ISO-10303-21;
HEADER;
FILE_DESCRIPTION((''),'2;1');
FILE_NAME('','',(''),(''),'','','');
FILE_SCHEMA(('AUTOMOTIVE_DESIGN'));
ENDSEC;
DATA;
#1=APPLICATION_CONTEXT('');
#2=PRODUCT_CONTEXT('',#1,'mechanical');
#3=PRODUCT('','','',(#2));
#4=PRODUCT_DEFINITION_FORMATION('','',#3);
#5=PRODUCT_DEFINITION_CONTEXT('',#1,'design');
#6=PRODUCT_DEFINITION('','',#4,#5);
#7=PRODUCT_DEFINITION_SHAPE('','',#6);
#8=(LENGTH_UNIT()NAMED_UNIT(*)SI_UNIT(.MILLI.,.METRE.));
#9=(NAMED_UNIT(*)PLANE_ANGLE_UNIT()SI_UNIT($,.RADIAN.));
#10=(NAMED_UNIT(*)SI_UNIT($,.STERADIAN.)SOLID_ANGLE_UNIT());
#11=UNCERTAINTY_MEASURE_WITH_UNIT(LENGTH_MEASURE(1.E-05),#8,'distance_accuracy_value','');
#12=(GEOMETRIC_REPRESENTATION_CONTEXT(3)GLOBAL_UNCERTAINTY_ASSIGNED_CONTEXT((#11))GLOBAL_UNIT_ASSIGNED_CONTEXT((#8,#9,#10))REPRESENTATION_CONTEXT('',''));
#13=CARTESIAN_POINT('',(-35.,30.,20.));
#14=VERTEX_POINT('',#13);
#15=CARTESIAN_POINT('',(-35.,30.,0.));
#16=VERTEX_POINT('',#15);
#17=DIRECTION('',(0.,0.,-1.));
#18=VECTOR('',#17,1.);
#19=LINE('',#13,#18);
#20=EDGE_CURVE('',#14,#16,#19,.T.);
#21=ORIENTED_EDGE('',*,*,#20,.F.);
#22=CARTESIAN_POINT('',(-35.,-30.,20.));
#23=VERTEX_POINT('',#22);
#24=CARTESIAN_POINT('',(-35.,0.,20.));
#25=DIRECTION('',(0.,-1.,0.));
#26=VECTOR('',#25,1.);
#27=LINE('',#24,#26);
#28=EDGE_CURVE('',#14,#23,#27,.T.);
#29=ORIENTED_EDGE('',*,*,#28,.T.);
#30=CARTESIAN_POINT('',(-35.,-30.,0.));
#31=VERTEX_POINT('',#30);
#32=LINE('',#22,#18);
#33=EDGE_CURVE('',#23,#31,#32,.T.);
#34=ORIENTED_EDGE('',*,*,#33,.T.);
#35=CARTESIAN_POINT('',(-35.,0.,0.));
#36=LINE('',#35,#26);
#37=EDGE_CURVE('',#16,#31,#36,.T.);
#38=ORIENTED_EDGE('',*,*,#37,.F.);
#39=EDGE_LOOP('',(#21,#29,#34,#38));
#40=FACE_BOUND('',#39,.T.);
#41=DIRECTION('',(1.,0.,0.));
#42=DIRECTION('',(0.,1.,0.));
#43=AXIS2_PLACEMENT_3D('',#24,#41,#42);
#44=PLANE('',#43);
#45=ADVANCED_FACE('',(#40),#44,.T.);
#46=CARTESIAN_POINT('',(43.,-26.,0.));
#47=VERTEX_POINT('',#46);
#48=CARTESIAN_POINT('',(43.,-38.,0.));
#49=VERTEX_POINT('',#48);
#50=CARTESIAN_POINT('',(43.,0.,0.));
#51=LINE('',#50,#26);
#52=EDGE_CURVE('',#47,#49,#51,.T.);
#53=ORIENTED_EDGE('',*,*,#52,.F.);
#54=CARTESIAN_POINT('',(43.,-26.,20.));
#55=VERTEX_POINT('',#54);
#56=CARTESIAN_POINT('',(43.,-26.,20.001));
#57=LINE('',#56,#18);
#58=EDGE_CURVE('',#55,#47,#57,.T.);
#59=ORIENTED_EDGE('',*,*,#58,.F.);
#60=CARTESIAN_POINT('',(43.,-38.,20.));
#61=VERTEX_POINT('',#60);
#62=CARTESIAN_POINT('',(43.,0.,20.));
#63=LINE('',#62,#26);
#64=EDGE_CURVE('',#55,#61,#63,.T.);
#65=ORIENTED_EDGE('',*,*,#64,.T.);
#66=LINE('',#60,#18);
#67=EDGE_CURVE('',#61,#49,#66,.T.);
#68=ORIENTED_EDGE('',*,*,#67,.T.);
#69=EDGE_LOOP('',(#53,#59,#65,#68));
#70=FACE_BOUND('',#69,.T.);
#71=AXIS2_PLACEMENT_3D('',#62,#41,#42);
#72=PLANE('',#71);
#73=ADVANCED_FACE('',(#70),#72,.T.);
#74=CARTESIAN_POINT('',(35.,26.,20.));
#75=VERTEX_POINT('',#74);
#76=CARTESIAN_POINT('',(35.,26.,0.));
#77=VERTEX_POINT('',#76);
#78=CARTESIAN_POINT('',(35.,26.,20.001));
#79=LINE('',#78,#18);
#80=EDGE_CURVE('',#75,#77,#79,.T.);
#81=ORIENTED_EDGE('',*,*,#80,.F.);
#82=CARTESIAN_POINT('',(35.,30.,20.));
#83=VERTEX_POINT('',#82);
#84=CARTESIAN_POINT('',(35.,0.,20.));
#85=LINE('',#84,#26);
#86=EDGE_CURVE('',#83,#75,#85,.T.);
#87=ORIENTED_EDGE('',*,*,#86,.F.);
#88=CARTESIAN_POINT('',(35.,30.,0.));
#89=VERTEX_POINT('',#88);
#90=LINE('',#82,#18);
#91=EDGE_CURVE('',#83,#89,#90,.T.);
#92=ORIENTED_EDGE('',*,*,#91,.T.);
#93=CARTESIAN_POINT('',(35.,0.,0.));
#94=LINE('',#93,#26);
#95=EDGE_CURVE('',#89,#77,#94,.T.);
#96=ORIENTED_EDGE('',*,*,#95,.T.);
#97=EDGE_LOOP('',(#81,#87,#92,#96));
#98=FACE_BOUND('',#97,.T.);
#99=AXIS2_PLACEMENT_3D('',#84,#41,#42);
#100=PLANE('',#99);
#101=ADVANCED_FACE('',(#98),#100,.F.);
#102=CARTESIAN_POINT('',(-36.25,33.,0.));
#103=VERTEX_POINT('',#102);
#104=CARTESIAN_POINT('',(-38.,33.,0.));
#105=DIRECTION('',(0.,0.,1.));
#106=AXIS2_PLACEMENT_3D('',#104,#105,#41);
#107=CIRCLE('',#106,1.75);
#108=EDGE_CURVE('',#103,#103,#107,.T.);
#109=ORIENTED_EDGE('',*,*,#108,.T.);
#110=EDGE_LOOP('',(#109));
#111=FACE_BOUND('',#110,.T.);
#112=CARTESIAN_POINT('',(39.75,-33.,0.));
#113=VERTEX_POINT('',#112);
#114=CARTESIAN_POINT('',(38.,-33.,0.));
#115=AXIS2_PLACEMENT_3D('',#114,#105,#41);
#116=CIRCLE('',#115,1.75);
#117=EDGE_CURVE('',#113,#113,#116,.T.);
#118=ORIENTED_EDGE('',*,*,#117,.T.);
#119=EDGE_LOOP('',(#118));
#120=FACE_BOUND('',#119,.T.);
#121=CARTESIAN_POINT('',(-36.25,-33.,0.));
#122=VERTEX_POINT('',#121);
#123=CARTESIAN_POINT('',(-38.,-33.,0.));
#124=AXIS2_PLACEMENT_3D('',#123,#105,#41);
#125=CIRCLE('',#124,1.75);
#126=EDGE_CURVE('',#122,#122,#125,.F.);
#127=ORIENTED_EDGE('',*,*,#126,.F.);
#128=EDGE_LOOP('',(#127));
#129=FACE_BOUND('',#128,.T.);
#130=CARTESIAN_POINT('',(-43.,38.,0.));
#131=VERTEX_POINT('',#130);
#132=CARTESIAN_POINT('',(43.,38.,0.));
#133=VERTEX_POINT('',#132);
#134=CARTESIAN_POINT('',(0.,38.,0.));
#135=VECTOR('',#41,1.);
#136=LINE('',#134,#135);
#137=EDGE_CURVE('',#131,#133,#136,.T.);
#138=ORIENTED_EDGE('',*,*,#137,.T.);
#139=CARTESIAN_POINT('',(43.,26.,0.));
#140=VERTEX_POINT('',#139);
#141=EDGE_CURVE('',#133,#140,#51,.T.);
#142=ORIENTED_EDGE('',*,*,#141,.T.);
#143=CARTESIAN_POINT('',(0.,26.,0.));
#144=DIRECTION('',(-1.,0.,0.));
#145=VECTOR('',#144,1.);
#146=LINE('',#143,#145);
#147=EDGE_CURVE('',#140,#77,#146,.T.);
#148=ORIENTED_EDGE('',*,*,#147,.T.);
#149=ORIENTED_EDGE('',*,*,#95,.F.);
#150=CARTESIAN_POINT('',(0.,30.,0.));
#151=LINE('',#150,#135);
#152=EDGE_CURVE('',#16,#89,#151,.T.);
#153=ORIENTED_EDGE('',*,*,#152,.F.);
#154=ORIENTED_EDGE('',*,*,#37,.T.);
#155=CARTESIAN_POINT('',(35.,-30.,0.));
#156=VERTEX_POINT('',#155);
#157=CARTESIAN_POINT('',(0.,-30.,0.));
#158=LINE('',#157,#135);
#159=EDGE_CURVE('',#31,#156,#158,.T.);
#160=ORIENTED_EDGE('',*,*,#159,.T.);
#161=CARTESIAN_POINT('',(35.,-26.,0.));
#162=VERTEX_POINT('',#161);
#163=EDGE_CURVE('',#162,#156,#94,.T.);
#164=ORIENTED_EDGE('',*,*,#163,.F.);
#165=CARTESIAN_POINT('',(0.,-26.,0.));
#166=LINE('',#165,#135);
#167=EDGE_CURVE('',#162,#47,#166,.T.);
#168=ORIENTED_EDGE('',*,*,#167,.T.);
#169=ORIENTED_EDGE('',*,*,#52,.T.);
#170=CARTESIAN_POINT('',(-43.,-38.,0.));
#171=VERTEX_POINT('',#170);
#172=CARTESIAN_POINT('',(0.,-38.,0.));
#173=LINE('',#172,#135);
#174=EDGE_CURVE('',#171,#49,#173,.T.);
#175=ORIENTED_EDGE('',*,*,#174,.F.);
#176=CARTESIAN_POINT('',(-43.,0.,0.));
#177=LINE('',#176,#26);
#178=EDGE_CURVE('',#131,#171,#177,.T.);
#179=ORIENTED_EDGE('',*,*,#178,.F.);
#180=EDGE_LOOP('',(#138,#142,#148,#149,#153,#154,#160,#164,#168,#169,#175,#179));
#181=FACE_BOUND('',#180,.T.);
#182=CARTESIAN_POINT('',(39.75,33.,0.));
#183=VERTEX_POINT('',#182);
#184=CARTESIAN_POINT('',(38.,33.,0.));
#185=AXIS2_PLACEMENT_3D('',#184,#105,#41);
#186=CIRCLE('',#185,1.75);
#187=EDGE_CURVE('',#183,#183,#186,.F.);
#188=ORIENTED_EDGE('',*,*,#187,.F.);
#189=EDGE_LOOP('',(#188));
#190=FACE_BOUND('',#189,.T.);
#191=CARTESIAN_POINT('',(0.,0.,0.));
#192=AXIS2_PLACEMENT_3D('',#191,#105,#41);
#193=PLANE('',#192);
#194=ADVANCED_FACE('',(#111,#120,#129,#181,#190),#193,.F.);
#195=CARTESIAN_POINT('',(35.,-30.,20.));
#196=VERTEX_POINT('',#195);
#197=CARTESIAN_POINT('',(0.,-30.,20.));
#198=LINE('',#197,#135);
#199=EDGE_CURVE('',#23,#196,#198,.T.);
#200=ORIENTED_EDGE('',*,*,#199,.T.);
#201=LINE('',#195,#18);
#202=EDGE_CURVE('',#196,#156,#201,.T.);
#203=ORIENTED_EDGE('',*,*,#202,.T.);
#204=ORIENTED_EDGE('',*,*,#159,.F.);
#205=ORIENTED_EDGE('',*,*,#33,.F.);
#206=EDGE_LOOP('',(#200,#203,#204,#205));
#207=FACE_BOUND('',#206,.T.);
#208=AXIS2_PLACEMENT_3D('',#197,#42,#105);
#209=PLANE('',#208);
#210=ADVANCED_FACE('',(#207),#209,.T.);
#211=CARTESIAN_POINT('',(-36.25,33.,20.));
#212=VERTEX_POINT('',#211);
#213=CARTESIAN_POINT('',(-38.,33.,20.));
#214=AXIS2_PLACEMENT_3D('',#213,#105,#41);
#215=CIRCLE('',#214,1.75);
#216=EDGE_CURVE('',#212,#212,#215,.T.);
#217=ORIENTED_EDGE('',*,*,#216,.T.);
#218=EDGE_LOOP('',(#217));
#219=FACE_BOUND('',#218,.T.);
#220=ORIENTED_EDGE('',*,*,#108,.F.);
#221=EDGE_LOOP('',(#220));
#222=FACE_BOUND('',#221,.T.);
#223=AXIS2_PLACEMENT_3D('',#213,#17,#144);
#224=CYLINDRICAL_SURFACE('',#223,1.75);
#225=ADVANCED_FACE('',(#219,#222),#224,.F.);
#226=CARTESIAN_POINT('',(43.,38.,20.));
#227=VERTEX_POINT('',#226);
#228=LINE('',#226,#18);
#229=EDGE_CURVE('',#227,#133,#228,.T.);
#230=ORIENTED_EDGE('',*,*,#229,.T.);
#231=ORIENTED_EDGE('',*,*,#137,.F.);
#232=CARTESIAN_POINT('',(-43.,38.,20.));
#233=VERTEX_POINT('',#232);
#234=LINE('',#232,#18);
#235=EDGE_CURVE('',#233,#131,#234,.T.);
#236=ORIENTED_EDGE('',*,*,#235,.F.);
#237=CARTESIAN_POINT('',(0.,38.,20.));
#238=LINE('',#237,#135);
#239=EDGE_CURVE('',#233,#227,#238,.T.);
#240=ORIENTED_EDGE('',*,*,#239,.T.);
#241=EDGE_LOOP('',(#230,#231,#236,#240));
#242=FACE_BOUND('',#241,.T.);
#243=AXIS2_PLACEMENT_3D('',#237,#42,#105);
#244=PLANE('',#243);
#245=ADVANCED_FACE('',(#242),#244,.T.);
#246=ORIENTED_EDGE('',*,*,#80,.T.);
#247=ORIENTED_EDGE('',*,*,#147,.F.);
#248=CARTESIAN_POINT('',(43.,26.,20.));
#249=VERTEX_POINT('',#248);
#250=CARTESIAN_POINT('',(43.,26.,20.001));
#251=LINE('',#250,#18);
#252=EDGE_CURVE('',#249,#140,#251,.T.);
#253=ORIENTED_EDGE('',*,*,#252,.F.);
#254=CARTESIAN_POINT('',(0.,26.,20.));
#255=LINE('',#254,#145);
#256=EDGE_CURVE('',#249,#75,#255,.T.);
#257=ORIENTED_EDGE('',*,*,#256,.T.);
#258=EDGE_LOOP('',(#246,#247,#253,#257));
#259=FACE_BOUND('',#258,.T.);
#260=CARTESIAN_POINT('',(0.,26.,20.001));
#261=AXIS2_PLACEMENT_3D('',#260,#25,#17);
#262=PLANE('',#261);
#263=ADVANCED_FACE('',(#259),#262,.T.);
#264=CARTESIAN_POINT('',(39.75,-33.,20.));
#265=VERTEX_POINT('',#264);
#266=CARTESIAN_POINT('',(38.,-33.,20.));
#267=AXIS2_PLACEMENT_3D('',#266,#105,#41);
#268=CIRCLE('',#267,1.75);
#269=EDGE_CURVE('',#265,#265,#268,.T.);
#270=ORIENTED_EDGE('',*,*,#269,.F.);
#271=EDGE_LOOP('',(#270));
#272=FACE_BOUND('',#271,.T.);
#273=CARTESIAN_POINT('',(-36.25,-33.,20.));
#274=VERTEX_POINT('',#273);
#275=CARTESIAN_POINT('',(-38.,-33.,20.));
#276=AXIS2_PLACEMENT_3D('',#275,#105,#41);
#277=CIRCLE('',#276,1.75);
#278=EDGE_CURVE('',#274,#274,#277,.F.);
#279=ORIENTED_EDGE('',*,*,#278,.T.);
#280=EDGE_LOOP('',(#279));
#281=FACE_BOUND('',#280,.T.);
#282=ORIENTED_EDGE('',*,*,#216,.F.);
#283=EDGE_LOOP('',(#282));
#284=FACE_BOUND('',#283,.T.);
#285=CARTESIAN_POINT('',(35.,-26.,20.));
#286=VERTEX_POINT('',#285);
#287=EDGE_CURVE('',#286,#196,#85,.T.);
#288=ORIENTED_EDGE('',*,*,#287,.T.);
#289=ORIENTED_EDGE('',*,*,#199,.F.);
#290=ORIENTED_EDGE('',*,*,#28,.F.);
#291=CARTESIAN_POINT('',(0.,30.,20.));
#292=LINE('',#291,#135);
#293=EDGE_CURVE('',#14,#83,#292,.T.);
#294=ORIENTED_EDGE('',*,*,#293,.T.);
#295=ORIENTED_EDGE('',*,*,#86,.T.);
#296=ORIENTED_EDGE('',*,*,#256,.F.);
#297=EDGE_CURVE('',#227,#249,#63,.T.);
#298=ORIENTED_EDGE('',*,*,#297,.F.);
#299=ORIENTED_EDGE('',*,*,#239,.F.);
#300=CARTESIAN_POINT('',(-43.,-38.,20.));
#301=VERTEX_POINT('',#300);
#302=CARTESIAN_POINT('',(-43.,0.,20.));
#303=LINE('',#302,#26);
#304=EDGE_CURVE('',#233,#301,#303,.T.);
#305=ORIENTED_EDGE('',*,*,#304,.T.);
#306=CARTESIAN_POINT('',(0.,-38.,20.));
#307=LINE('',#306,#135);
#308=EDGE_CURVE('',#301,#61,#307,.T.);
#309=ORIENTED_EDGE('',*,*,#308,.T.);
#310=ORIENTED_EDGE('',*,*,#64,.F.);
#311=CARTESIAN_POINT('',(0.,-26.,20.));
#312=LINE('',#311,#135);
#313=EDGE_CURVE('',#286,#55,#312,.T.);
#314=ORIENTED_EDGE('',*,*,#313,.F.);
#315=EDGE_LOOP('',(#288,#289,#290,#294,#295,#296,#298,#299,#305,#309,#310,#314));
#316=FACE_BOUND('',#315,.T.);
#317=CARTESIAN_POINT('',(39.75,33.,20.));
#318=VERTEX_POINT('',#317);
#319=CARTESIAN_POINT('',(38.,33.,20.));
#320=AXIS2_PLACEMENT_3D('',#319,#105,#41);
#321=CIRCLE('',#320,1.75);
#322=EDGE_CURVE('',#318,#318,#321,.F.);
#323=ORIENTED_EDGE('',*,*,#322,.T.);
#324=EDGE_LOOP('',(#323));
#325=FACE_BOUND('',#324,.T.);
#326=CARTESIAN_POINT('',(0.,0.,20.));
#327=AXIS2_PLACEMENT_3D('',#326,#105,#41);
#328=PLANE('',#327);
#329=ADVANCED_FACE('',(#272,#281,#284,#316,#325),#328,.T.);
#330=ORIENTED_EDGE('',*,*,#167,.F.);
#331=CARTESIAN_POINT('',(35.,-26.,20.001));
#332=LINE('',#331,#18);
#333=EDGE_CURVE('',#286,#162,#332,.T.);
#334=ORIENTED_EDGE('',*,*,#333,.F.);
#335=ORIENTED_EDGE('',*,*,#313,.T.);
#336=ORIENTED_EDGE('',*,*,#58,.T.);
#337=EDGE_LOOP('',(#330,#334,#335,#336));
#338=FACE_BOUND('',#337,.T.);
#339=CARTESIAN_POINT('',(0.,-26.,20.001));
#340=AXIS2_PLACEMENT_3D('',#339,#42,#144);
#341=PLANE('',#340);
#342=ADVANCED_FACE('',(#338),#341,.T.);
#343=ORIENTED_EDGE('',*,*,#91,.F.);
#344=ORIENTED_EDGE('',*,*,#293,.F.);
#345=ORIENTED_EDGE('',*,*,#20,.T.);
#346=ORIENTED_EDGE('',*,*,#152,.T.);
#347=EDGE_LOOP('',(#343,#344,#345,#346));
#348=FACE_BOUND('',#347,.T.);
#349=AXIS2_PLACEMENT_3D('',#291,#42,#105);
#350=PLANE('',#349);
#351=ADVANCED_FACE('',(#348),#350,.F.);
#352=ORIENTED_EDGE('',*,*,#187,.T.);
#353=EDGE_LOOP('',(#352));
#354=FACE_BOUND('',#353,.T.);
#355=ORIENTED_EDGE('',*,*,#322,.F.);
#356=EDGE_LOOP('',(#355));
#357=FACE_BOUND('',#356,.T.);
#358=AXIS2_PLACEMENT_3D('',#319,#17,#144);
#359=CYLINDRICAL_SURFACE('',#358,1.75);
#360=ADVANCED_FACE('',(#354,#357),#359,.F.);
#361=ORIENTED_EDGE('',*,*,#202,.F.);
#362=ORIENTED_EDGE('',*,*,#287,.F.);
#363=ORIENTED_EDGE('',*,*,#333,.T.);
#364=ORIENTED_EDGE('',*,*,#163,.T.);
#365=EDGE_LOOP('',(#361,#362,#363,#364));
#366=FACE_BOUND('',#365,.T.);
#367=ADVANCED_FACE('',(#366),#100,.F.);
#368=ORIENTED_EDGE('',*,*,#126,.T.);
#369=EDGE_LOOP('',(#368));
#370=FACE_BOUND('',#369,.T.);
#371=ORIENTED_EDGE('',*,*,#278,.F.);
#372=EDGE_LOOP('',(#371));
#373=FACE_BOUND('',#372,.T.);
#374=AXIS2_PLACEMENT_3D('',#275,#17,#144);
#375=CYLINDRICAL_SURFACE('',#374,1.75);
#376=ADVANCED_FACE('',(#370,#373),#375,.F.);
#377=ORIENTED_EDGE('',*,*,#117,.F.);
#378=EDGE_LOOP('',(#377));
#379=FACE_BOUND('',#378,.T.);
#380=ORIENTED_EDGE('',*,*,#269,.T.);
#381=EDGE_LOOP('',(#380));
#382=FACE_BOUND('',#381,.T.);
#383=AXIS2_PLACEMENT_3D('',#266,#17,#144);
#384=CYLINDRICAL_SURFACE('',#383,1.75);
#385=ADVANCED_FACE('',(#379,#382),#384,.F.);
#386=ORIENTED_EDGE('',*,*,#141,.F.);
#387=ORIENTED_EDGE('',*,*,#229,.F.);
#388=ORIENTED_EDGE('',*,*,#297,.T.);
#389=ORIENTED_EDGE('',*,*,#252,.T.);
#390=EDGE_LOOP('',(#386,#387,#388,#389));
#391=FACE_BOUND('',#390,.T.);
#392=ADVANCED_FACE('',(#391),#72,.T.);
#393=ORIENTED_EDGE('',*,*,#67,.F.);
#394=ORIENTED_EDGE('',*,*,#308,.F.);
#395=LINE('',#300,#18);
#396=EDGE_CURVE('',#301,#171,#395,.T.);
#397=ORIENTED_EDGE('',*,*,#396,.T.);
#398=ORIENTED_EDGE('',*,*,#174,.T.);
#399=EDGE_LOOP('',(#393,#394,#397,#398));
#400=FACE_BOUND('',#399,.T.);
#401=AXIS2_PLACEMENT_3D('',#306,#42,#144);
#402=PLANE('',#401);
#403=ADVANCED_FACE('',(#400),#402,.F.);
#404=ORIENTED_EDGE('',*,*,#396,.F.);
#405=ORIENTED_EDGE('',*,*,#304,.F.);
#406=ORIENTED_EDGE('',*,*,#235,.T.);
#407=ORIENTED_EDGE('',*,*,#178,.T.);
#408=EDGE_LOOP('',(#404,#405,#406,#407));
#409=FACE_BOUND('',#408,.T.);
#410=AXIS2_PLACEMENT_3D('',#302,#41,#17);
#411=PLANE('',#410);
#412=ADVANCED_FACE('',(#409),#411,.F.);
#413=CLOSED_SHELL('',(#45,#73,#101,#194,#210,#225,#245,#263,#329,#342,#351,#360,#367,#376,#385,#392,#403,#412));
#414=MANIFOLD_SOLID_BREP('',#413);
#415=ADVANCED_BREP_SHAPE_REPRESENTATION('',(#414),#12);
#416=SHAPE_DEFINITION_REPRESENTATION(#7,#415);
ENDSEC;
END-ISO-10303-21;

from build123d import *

# Parameters (mm, degrees)
SKETCH_1_W          = 86
SKETCH_1_H          = 76
SKETCH_1_R          = 1.75
SKETCH_1_W_2        = 70
SKETCH_1_H_2        = 60
EXTRUDE_1_DEPTH     = 20
CUT_EXTRUDE_1_REACH = 62.77
SKETCH_2_W          = 8
SKETCH_2_H          = 52


with BuildPart() as part:
    # 草图1 → 凸台-拉伸1 (new body)
    with BuildSketch(Plane.XY):
        Rectangle(SKETCH_1_W, SKETCH_1_H)
        with Locations((-38, 33)):
            Circle(SKETCH_1_R, mode=Mode.SUBTRACT)
        with Locations((38, 33)):
            Circle(SKETCH_1_R, mode=Mode.SUBTRACT)
        with Locations((38, -33)):
            Circle(SKETCH_1_R, mode=Mode.SUBTRACT)
        with Locations((-38, -33)):
            Circle(SKETCH_1_R, mode=Mode.SUBTRACT)
        Rectangle(SKETCH_1_W_2, SKETCH_1_H_2, mode=Mode.SUBTRACT)
    extrude(amount=EXTRUDE_1_DEPTH)

    # 草图2 → 切除-拉伸1 (cut, up to next)
    with BuildSketch(Plane(origin=(0, 0, 0), x_dir=(-1, 0, 0), z_dir=(0, 0, -1)), mode=Mode.PRIVATE) as cut_extrude_1_sk1:
        with Locations((-39, 0)):
            Rectangle(SKETCH_2_W, SKETCH_2_H)
    cut_extrude_1_tool1 = extrude(cut_extrude_1_sk1.sketch, amount=-CUT_EXTRUDE_1_REACH, mode=Mode.PRIVATE) & part.part
    add(cut_extrude_1_tool1.solids().sort_by_distance((39, 0, 0))[0], mode=Mode.SUBTRACT)


solid = part.part
